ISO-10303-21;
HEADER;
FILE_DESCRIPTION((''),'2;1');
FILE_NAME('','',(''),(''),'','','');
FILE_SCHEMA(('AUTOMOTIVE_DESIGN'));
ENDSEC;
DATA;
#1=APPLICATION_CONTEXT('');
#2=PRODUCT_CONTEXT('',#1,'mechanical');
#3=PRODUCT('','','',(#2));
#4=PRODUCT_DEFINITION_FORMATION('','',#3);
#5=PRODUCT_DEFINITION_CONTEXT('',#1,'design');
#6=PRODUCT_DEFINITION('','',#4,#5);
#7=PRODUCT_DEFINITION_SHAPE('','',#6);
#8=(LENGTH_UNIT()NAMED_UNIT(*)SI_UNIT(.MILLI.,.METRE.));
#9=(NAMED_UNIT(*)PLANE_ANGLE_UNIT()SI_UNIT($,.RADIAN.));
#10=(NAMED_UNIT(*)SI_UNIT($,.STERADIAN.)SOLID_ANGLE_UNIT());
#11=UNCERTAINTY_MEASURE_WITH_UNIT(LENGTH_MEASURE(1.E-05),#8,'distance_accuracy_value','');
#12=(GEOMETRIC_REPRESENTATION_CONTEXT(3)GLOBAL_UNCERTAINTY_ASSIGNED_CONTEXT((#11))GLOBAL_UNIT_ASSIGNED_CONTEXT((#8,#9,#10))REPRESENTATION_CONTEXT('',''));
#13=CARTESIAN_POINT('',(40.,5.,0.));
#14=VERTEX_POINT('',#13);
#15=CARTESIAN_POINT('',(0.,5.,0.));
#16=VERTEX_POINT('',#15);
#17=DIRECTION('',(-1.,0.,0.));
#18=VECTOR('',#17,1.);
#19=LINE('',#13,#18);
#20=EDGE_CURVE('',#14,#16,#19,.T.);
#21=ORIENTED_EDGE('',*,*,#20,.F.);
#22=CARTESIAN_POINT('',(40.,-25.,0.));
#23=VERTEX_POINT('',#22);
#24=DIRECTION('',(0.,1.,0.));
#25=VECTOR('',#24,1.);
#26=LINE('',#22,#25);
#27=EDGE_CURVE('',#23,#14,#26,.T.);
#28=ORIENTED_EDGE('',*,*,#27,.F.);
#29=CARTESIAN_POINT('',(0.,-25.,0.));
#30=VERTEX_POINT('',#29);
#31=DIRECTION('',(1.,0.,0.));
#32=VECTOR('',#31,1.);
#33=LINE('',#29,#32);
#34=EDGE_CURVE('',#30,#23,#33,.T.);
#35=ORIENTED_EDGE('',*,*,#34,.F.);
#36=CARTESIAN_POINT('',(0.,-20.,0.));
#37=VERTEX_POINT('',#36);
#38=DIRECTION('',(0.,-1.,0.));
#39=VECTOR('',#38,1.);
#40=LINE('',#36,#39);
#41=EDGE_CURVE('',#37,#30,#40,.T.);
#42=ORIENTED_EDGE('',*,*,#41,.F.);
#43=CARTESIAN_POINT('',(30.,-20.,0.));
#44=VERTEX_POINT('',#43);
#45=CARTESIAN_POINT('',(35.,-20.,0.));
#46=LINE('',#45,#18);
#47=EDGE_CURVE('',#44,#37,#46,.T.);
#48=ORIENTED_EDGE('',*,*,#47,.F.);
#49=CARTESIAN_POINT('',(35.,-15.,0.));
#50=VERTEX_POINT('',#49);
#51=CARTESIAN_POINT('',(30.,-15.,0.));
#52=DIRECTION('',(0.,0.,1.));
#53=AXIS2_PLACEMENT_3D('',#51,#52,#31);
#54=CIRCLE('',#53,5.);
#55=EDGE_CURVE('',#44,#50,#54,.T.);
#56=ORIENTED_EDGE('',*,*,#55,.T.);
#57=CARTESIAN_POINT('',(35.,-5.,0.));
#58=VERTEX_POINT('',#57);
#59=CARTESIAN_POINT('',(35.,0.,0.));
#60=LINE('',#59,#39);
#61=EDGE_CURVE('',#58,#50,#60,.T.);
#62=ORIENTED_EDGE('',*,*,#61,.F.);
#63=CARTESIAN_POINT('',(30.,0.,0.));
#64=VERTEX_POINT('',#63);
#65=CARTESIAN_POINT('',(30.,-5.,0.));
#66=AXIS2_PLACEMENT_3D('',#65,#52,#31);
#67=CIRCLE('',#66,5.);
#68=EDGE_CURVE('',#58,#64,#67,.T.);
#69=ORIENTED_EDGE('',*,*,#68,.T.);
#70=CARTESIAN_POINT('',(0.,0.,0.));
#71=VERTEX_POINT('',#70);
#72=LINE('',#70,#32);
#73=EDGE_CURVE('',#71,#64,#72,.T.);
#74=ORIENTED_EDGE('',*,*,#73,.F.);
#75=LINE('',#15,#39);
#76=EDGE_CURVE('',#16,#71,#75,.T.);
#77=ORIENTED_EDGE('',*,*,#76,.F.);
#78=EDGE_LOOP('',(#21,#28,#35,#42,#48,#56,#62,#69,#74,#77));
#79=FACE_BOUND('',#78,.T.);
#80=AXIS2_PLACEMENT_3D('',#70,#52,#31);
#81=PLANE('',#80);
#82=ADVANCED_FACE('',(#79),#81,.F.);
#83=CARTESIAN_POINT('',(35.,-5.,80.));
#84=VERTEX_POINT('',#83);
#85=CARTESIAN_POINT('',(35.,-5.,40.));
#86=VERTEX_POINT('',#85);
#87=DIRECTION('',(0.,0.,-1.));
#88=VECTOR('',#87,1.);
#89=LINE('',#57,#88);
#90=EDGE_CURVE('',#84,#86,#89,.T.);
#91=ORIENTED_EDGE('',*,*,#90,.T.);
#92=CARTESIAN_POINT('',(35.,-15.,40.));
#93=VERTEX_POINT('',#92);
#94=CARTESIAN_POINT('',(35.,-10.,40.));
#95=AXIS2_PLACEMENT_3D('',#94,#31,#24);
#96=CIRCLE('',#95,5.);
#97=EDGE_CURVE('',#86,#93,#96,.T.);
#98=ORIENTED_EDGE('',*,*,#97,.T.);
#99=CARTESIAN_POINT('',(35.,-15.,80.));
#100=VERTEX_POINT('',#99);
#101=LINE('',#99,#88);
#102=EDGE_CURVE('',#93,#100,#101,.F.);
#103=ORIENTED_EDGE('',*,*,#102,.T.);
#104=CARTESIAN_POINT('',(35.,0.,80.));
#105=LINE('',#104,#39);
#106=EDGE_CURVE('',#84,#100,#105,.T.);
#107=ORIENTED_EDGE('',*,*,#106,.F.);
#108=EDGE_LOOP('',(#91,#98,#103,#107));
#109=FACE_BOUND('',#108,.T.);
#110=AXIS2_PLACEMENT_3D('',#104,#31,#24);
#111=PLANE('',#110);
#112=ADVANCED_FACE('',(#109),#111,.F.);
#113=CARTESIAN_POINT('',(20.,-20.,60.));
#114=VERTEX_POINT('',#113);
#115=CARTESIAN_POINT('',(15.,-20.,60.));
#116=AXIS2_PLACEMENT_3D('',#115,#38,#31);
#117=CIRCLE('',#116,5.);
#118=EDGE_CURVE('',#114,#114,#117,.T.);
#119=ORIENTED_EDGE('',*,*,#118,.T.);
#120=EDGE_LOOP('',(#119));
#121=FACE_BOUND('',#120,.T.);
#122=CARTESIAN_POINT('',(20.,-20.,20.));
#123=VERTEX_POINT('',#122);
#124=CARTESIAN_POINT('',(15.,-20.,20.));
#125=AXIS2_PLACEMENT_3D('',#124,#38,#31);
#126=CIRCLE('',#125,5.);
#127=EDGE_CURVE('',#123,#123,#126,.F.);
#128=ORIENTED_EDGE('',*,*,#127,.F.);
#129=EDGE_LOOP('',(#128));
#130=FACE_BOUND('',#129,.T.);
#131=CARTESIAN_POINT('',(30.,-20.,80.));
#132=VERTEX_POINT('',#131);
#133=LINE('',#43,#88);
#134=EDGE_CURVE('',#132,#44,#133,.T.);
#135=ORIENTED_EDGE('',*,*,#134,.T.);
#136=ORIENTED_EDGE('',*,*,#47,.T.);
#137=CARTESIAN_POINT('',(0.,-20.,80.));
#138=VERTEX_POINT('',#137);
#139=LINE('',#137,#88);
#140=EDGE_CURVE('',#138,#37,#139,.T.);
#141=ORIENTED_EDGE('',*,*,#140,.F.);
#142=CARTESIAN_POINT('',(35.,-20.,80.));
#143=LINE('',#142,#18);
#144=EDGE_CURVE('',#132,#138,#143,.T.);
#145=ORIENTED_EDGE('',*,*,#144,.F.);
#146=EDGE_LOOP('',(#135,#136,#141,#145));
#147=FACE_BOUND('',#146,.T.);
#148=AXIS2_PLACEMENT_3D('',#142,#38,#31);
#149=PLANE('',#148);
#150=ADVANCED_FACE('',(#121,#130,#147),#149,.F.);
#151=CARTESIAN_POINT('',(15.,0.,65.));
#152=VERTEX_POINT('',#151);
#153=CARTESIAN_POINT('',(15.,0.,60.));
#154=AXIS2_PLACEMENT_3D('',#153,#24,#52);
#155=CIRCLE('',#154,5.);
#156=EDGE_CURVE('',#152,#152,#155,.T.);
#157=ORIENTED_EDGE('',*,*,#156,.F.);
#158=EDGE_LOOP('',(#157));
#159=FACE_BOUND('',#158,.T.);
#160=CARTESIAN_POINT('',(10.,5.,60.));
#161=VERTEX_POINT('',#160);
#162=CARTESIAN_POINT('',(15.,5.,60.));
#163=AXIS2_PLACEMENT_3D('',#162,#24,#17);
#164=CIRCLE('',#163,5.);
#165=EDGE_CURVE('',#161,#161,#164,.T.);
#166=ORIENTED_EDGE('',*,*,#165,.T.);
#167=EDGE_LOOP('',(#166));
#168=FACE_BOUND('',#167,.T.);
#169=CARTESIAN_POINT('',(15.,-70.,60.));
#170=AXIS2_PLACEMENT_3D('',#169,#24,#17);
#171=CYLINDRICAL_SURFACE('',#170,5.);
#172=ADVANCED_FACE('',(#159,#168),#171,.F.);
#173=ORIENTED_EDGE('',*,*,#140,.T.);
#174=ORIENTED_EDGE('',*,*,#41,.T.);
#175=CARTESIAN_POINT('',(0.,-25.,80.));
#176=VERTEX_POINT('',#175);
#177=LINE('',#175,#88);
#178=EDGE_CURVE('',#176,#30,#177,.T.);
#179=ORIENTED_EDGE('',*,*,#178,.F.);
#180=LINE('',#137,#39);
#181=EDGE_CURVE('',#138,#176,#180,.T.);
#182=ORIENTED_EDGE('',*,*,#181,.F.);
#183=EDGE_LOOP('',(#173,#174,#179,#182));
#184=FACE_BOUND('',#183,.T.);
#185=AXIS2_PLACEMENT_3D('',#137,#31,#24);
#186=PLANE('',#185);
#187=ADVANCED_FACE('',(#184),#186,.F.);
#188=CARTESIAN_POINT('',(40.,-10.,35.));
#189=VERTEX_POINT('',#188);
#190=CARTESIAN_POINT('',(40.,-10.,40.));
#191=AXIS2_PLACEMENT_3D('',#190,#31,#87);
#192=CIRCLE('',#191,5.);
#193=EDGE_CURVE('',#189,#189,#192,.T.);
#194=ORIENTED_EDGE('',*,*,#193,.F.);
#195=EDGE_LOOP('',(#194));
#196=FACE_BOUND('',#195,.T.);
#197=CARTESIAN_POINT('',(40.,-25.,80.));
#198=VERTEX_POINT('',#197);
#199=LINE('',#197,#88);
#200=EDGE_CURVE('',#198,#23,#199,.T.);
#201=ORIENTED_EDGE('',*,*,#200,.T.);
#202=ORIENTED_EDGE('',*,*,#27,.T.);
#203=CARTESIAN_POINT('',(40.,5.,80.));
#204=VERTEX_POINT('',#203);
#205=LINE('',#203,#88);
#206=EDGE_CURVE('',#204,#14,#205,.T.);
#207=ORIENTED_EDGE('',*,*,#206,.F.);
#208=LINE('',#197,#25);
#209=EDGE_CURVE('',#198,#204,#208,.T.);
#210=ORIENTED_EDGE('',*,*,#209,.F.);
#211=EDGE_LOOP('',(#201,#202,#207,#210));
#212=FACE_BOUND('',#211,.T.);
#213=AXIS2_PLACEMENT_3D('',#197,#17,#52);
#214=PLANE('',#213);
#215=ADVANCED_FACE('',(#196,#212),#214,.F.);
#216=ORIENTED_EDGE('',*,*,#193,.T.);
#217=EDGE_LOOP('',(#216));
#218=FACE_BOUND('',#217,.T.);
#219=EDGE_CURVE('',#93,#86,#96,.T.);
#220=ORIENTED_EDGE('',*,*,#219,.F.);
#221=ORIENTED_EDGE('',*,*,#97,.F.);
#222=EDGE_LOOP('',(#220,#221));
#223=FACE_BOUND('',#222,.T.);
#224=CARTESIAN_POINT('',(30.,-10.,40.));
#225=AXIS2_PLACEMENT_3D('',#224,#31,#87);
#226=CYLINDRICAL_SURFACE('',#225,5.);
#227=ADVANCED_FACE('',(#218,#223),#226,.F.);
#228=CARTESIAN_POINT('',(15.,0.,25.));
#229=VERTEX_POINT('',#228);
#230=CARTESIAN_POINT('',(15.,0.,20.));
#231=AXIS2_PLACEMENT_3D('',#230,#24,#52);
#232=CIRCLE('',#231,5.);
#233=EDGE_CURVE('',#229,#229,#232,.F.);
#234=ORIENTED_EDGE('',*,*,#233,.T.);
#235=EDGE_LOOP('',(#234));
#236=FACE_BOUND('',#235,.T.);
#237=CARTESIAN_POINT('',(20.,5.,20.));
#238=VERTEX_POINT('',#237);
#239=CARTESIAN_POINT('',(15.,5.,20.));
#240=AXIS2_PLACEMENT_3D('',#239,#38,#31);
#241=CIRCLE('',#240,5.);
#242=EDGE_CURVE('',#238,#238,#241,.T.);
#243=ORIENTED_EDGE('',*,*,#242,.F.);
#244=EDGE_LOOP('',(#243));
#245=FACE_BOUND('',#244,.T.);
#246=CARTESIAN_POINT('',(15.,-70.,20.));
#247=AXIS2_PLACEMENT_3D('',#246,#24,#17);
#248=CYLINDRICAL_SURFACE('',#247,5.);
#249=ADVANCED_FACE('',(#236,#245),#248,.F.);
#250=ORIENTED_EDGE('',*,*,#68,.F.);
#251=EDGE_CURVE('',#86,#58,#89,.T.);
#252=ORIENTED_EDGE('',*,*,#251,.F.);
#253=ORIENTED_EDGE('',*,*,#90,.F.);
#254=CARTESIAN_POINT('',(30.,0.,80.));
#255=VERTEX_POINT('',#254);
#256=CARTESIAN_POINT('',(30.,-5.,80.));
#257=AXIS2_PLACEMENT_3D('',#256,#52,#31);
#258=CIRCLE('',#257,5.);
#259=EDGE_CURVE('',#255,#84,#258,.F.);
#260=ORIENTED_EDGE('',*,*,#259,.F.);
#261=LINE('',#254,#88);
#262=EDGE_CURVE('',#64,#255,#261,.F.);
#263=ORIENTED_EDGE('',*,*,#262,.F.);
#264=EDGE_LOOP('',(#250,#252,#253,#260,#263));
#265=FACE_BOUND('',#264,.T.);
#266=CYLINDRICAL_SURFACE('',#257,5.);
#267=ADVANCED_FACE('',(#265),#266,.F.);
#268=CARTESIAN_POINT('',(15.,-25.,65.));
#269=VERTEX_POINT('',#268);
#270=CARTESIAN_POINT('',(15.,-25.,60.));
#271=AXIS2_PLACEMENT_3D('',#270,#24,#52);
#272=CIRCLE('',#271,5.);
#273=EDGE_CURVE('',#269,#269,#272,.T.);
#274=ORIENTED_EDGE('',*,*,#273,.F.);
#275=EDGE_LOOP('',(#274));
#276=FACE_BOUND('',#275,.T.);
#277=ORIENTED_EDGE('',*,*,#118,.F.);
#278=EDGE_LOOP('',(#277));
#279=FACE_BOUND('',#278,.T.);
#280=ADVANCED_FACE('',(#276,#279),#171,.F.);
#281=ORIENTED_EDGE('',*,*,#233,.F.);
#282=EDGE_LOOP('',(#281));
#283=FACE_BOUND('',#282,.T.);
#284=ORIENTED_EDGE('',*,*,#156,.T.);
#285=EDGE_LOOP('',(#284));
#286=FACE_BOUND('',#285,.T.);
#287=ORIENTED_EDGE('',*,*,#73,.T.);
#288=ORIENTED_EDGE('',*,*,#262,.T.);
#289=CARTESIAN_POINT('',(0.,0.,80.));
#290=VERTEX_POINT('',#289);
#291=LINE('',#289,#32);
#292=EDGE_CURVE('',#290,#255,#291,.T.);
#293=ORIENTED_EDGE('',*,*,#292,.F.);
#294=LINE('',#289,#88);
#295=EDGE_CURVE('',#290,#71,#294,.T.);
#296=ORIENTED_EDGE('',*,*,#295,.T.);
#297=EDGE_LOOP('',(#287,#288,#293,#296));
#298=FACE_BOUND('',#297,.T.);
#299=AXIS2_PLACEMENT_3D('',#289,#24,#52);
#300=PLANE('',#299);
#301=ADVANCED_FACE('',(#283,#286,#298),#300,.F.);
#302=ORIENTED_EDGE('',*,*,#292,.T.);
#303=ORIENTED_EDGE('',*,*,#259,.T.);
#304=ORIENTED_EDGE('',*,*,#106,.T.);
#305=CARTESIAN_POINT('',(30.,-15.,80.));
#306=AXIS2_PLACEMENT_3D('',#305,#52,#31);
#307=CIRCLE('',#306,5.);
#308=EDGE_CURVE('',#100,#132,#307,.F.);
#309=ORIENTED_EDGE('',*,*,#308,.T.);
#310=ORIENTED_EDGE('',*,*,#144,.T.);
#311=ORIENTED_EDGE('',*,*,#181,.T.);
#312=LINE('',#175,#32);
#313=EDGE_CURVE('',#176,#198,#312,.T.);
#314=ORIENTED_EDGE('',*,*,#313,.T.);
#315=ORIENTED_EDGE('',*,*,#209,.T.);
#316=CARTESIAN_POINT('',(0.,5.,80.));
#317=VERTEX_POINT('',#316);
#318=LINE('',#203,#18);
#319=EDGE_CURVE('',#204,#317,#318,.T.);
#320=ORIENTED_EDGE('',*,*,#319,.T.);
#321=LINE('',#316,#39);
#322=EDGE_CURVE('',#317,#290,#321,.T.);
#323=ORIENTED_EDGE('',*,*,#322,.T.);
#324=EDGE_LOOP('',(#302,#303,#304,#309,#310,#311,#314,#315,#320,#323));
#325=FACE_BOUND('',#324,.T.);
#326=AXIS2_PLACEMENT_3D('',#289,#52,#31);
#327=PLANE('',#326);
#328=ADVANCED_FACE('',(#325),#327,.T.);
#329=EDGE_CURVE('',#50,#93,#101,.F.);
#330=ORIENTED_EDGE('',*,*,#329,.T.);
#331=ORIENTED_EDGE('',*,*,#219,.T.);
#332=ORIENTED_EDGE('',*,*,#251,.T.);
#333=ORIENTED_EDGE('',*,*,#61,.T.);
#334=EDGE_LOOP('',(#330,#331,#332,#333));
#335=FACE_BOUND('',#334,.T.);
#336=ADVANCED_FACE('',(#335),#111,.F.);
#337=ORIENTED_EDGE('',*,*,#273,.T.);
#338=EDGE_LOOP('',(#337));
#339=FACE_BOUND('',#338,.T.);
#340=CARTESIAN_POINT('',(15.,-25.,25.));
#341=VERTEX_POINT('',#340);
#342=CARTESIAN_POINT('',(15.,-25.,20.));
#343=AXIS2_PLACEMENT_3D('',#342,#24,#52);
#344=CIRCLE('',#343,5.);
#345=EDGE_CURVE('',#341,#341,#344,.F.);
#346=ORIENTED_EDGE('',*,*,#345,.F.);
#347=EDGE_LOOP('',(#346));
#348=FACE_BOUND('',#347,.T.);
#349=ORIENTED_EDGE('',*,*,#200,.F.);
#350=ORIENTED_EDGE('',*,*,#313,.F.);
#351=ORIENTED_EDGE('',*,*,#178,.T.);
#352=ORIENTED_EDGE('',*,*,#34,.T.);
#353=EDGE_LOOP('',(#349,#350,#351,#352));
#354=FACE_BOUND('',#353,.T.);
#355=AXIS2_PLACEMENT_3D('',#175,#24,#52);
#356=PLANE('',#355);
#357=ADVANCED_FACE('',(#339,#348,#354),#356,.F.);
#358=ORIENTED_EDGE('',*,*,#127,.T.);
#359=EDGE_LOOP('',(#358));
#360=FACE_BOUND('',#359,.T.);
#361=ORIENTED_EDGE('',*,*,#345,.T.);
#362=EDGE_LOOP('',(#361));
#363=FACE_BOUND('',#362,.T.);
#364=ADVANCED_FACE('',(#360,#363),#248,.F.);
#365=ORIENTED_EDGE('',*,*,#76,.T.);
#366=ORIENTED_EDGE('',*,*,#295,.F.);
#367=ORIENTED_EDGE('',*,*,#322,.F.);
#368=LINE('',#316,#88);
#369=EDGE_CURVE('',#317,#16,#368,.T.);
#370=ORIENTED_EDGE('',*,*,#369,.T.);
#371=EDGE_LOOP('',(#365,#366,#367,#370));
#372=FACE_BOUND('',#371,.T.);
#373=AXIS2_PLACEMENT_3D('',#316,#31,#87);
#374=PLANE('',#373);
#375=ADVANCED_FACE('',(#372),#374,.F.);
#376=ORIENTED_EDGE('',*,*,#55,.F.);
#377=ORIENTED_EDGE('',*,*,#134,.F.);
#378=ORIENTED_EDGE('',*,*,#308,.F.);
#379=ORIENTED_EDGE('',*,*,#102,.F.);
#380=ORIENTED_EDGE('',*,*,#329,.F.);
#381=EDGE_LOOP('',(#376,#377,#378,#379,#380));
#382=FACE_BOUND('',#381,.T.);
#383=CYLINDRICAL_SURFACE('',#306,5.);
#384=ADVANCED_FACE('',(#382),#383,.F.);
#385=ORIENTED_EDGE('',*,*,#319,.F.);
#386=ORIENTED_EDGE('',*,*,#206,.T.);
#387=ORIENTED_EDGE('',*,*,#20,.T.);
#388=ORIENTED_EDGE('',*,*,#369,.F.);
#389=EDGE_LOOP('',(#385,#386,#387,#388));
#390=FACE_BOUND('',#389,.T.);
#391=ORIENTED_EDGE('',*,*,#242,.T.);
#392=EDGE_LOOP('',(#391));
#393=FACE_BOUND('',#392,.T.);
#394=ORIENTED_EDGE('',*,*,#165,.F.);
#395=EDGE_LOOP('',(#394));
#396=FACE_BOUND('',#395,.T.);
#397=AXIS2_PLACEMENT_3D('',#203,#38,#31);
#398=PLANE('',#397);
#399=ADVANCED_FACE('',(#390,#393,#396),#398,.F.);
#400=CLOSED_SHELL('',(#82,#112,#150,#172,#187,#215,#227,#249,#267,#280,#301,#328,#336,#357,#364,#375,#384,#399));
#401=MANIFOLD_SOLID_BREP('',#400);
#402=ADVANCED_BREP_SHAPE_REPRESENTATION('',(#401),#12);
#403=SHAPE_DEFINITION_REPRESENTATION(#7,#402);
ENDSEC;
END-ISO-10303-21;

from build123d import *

# Parameters (mm, degrees)
BOSS_EXTRUDE1_DEPTH = 80
FILLET1_R           = 5
SKETCH2_R           = 5
CUT_EXTRUDE1_DEPTH  = 75
SKETCH3_R           = 5
CUT_EXTRUDE2_DEPTH  = 10


with BuildPart() as part:
    # Sketch1 → Boss-Extrude1 (new body)
    with BuildSketch(Plane.XY):
        Polygon((0, 0), (35, 0), (35, -20), (0, -20), (0, -25), (40, -25), (40, 5), (0, 5), align=None)
    extrude(amount=BOSS_EXTRUDE1_DEPTH)

    # Fillet1
    fillet1_edges = [part.edges().sort_by_distance(p)[0] for p in [
        (35, -20, 40),
        (35, 0, 40),
    ]]
    fillet(fillet1_edges, radius=FILLET1_R)

    # Sketch2 → Cut-Extrude1 (cut)
    with BuildSketch(Plane(origin=(0, 5, 0), x_dir=(1, 0, 0), z_dir=(0, 1, 0))):
        with Locations(Location((15, -60, 0), (0, 0, 180))):
            Circle(SKETCH2_R)
        with Locations(Location((15, -20, 0), (0, 0, 270))):
            Circle(SKETCH2_R)
    extrude(amount=-CUT_EXTRUDE1_DEPTH, mode=Mode.SUBTRACT)

    # Sketch3 → Cut-Extrude2 (cut)
    with BuildSketch(Plane(origin=(40, 0, 0), x_dir=(0, 0, -1), z_dir=(1, 0, 0))):
        with Locations((-40, -10)):
            Circle(SKETCH3_R)
    extrude(amount=-CUT_EXTRUDE2_DEPTH, mode=Mode.SUBTRACT)


solid = part.part
